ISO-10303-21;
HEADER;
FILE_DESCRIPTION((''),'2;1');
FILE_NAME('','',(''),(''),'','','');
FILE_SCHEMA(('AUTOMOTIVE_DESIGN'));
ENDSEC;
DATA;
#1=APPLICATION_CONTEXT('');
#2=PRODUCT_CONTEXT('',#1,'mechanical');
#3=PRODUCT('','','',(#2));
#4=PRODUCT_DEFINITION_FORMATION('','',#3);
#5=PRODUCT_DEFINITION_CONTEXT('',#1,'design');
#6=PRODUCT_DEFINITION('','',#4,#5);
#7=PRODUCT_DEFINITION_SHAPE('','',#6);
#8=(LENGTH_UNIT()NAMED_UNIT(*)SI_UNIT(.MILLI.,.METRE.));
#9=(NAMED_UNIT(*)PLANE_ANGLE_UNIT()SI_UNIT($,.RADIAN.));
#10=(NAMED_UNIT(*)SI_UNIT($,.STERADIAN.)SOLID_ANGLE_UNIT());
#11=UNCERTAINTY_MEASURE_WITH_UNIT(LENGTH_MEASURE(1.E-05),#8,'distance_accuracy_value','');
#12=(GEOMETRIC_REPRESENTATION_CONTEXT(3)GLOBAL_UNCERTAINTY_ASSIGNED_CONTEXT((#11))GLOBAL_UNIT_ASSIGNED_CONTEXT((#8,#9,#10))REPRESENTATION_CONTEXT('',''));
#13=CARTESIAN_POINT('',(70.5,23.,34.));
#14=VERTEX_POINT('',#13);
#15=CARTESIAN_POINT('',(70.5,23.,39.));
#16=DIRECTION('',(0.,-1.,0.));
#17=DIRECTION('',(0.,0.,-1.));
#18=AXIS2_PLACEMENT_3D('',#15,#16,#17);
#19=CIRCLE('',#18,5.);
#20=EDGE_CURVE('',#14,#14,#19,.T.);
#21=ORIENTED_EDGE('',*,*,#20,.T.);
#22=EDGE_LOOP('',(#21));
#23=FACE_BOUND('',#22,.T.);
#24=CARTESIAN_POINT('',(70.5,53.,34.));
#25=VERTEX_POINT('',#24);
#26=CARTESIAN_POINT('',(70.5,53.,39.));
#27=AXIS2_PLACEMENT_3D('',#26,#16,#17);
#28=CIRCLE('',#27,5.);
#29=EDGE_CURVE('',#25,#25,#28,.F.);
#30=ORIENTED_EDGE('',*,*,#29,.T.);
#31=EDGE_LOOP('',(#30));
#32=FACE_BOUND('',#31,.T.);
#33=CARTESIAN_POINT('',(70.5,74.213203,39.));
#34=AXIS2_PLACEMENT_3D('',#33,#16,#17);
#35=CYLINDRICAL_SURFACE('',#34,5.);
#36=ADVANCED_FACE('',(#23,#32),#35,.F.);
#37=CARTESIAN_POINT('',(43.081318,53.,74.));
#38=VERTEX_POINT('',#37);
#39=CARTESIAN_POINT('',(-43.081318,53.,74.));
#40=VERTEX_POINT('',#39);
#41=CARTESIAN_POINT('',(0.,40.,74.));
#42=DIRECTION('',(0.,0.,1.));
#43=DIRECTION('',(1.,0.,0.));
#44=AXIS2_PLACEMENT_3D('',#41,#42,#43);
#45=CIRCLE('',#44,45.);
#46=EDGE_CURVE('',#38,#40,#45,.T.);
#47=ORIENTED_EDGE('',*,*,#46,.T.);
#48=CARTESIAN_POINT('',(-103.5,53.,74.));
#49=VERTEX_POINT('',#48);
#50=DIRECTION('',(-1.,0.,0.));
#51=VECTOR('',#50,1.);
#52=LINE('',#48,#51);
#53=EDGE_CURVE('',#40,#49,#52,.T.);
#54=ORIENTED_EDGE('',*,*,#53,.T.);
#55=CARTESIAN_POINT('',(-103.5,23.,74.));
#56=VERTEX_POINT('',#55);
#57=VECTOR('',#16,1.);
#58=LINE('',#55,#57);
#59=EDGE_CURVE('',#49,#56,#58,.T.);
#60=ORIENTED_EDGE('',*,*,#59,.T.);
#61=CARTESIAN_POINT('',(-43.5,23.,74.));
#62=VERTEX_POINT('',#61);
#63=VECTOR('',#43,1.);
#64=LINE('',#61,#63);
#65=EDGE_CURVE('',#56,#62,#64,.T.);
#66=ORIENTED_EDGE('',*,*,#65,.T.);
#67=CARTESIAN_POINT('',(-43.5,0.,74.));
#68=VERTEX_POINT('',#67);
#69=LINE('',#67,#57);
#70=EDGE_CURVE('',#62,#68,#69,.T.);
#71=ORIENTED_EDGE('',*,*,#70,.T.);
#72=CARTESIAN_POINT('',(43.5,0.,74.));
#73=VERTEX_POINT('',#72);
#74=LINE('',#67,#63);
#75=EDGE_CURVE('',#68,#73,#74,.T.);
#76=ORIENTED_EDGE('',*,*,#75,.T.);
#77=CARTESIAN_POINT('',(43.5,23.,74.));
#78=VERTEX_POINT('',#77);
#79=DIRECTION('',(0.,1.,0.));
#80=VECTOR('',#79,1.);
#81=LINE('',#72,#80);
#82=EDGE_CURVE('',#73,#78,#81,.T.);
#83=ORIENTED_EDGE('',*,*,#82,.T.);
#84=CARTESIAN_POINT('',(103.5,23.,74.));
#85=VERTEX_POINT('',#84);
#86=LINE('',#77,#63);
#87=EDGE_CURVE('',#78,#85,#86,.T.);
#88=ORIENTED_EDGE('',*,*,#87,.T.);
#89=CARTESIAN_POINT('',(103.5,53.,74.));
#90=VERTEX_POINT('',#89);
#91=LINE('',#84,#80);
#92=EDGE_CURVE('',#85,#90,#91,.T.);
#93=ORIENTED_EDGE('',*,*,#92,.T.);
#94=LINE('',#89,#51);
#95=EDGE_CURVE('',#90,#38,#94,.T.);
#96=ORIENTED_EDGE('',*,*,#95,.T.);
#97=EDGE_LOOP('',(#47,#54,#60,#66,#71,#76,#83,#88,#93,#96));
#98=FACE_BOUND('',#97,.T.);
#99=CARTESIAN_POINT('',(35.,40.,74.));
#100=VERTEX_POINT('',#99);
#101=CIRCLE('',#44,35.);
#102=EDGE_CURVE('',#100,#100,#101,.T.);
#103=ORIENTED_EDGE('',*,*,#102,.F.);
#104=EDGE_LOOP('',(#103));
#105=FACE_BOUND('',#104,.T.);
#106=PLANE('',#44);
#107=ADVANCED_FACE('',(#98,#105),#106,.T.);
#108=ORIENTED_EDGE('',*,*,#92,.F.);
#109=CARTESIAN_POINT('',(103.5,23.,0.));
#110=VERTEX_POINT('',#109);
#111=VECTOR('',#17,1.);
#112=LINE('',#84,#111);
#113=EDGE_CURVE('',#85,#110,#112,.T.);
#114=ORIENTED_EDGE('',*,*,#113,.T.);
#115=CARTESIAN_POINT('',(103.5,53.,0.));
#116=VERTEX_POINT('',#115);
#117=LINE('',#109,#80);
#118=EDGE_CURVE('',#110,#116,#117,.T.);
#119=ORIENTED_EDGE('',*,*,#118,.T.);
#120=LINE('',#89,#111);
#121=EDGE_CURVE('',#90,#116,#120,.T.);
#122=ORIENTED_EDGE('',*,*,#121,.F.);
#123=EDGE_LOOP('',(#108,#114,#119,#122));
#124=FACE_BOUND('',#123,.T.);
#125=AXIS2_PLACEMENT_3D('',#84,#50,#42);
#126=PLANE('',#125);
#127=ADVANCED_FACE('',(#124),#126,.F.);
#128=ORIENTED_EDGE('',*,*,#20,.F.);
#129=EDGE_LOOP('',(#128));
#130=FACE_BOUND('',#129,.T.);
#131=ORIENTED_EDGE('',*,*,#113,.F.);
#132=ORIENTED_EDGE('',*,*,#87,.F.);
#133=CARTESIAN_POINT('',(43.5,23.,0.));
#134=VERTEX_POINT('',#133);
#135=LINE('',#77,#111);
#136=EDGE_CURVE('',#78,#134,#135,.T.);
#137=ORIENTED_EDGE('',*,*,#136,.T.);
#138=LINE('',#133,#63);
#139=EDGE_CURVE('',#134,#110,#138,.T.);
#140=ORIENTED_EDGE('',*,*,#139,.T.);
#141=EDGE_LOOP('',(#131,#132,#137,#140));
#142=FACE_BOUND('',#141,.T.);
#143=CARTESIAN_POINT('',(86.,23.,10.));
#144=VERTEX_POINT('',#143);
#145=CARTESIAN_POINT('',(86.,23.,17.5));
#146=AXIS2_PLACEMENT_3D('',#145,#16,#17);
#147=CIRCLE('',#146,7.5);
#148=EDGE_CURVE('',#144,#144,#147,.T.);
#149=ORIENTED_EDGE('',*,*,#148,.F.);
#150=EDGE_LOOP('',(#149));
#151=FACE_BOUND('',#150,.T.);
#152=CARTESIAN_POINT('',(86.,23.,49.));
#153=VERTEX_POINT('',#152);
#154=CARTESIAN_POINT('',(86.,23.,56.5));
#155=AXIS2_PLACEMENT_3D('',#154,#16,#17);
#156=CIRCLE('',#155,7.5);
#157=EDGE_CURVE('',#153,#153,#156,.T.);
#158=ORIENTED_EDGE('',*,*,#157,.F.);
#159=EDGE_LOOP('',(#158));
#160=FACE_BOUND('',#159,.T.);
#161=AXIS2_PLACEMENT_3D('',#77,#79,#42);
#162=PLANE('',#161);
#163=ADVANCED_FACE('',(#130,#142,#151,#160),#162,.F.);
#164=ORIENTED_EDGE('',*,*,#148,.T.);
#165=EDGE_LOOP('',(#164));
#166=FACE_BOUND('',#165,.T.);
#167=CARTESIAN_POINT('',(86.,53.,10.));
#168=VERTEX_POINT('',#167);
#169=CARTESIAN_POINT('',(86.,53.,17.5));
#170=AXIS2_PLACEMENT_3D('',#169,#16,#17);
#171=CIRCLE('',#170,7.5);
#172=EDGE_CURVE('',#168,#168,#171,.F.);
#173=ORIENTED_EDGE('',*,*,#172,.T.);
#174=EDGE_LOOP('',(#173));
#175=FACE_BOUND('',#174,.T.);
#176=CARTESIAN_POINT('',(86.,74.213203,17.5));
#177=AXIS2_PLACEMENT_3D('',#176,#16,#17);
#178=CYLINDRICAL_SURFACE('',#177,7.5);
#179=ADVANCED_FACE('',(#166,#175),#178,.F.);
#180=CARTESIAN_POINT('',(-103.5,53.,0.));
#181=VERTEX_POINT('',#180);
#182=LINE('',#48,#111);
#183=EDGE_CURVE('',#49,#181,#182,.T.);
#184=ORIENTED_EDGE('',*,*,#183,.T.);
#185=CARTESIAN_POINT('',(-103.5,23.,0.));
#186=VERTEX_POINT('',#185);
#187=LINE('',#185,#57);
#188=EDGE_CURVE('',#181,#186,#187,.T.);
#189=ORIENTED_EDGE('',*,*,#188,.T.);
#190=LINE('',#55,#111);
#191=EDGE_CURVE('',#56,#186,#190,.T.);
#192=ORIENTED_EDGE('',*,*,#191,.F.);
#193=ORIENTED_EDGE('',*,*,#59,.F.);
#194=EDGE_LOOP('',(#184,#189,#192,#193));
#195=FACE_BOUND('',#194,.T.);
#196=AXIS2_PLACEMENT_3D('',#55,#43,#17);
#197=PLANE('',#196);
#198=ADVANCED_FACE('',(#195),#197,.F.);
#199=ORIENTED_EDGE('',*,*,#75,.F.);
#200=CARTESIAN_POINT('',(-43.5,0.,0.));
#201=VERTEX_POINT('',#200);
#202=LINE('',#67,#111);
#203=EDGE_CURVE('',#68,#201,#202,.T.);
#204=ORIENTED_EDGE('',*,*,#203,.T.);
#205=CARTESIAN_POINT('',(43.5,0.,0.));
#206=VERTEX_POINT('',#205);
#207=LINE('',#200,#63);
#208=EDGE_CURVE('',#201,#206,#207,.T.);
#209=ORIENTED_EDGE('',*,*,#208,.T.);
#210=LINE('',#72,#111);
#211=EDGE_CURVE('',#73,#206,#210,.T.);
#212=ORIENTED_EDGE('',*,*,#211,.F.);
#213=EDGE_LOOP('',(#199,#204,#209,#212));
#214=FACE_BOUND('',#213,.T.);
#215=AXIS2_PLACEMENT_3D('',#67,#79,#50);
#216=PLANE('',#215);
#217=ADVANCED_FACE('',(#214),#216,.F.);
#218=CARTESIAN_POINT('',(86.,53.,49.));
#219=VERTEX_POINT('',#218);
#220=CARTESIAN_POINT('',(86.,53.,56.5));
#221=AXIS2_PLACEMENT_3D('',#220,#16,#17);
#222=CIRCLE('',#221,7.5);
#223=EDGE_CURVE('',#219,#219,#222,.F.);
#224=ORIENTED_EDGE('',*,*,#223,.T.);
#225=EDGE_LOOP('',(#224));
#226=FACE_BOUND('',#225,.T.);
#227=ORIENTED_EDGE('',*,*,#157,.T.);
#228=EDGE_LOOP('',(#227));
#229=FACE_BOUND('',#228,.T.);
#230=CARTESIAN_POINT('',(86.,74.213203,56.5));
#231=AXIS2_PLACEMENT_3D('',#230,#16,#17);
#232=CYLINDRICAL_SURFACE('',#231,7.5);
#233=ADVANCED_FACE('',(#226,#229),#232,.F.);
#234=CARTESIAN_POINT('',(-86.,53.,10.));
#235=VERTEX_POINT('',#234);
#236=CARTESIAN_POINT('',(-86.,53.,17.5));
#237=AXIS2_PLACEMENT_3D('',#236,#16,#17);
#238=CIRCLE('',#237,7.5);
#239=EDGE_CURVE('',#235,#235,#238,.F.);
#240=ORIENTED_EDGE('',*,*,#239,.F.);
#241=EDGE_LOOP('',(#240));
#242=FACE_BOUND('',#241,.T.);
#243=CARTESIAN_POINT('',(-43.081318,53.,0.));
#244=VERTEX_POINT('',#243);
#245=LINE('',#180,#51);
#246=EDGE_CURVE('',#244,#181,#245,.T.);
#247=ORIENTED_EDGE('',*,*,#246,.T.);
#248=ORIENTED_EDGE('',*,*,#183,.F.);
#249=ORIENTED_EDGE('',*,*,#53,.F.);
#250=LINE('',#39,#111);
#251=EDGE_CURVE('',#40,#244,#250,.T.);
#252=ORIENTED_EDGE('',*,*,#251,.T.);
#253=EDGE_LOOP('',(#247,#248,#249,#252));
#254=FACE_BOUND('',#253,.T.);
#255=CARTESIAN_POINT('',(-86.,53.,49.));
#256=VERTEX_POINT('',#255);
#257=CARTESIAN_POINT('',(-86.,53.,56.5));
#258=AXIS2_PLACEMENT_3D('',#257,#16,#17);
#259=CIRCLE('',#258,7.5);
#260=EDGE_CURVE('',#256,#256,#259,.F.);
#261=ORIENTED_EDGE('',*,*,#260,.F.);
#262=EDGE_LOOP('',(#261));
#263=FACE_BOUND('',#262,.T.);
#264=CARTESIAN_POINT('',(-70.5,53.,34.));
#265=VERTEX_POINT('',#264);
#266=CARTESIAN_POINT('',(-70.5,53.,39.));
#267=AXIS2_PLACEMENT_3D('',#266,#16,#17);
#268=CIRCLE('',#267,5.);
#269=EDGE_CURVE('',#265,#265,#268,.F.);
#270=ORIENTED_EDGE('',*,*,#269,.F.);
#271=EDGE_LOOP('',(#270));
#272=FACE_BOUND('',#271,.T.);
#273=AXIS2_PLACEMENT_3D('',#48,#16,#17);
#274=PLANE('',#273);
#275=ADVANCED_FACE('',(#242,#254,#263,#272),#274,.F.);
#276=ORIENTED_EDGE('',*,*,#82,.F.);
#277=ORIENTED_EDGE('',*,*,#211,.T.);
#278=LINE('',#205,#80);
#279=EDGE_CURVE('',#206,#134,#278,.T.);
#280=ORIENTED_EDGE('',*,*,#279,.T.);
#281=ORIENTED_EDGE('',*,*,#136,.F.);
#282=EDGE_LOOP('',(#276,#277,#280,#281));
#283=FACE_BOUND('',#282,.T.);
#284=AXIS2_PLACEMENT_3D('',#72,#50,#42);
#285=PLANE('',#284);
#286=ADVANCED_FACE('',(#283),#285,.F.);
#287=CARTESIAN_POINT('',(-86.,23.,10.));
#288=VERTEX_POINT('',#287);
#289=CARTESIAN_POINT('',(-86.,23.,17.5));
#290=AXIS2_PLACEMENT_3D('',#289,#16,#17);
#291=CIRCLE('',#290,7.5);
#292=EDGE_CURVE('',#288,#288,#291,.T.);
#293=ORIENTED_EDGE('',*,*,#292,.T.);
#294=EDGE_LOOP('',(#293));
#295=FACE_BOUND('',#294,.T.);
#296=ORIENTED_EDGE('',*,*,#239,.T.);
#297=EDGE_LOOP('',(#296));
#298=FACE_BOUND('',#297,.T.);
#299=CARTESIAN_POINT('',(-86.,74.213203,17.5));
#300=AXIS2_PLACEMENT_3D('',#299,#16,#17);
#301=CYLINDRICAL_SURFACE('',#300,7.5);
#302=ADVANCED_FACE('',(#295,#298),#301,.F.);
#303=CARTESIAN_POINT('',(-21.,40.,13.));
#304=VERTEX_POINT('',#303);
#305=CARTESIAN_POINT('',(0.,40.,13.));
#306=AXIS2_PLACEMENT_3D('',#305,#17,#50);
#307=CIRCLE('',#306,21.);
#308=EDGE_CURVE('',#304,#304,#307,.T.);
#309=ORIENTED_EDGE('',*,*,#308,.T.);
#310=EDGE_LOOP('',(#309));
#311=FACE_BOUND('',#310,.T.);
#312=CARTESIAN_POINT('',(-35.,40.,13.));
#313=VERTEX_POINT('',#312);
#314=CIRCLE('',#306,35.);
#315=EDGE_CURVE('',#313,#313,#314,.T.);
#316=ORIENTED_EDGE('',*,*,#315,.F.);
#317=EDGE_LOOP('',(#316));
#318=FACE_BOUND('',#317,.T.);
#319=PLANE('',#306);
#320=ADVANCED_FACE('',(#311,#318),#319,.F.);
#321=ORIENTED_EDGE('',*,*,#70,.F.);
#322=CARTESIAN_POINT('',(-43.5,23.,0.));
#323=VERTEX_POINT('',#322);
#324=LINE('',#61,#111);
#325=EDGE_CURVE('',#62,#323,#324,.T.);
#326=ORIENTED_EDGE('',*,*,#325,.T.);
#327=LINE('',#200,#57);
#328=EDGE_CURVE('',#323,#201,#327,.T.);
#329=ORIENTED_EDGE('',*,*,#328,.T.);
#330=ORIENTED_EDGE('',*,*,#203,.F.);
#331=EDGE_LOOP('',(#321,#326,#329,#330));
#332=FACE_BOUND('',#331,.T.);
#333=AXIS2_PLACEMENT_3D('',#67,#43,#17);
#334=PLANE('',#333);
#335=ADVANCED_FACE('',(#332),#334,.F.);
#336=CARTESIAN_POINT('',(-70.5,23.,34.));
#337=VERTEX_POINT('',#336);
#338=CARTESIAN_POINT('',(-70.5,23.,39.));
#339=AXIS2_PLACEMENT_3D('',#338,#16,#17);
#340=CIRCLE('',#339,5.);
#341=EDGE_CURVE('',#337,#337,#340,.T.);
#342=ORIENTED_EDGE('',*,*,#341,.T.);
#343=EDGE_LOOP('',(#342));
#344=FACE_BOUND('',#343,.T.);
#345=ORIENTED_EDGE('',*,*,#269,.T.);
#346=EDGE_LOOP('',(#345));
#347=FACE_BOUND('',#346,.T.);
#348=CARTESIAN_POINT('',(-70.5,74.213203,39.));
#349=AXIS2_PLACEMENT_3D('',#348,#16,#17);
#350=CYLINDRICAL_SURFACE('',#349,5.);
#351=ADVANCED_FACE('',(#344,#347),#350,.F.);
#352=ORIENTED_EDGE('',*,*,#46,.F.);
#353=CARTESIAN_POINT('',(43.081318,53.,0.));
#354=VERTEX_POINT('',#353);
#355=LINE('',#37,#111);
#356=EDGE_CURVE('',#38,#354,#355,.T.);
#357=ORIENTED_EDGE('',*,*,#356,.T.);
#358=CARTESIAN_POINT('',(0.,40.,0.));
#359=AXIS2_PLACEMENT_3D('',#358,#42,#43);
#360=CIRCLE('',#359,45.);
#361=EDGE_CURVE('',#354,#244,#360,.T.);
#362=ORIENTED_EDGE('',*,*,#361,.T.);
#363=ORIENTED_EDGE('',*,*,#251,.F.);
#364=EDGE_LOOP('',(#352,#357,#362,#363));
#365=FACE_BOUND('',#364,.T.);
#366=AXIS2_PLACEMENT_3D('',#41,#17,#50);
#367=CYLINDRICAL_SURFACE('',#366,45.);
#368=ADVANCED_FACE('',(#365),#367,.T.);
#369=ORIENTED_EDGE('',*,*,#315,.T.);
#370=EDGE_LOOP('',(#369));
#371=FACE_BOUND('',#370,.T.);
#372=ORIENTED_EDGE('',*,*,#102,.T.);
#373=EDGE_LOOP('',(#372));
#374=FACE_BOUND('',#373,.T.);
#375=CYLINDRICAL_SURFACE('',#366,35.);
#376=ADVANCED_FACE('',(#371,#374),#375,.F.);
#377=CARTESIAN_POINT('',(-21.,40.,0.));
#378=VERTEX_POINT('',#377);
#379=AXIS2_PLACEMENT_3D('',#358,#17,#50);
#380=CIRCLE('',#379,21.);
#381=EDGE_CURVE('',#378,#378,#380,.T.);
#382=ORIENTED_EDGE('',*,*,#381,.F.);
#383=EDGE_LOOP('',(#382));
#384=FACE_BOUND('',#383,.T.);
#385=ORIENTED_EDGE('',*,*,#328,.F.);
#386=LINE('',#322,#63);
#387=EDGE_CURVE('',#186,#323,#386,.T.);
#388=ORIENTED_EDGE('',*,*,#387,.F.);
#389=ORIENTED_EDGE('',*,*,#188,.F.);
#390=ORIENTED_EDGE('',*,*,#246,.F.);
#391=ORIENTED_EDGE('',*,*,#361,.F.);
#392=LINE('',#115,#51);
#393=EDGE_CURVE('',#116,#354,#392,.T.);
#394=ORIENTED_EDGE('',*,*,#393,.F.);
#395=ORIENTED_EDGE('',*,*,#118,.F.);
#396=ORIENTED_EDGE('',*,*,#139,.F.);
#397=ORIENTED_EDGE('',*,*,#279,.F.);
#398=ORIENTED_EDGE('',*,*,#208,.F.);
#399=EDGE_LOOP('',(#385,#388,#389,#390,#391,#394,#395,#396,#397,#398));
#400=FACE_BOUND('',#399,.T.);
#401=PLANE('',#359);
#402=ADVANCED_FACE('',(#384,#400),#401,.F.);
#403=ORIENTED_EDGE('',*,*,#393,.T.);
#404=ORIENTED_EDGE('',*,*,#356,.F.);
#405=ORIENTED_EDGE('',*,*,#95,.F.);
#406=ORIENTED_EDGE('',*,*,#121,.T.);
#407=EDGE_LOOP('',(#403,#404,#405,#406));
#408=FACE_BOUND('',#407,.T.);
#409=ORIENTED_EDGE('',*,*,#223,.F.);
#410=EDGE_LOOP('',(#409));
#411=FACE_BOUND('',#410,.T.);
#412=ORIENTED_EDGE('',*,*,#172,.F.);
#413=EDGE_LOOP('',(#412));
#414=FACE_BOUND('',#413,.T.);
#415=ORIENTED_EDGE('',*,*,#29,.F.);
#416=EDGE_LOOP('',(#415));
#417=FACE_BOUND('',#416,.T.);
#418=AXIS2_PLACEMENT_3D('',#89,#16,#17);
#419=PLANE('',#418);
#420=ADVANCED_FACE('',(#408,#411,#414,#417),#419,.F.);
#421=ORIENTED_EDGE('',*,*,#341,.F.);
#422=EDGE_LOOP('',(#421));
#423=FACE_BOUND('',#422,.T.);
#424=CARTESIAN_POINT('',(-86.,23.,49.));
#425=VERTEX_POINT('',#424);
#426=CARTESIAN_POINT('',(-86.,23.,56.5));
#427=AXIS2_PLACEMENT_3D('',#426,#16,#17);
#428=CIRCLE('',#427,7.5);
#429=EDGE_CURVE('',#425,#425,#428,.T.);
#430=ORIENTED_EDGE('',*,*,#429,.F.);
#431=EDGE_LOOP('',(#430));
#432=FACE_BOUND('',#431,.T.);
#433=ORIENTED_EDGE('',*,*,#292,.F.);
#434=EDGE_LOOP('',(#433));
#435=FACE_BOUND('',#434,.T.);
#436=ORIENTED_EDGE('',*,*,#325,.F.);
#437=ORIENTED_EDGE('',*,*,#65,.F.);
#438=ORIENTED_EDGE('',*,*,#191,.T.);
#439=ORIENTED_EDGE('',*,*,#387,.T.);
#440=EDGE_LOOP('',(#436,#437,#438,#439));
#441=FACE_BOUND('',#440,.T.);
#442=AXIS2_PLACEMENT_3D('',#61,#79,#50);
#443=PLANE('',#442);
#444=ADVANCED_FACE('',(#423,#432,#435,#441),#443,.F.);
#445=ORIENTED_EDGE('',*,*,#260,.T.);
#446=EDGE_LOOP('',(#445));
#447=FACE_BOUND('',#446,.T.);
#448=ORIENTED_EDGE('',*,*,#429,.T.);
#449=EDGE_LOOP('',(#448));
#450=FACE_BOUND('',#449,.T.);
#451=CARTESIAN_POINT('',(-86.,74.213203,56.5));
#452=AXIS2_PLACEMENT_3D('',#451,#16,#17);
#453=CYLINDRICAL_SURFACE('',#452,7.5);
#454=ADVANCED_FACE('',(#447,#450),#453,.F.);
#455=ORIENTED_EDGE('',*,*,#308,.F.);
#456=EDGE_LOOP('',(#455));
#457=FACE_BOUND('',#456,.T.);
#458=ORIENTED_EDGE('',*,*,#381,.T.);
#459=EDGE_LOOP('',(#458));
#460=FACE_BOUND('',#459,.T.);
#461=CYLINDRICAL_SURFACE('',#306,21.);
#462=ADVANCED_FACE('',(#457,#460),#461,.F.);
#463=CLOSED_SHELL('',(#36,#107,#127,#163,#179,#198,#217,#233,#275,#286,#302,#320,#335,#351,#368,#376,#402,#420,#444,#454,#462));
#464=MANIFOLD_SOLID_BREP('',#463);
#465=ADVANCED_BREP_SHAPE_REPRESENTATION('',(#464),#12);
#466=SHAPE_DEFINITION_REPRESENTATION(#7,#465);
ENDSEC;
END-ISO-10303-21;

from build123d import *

# Parameters (mm, degrees)
SKETCH_1_R          = 35
EXTRUDE_1_DEPTH     = 74
SKETCH_2_R          = 35
SKETCH_2_R_2        = 21
EXTRUDE_2_DEPTH     = 13
SKETCH_3_R          = 7.5
SKETCH_3_R_2        = 5
CUT_EXTRUDE_1_DEPTH = 30


with BuildPart() as part:
    # 草图1 → 凸台-拉伸1 (new body)
    with BuildSketch(Plane.XY):
        with BuildLine():
            Line((-43.5, 0), (43.5, 0))
            Line((43.5, 0), (43.5, 23))
            Line((43.5, 23), (103.5, 23))
            Line((103.5, 23), (103.5, 53))
            Line((103.5, 53), (43.081318457, 53))
            ThreePointArc((43.081318457, 53), (0, 85), (-43.081318457, 53))
            Line((-43.081318457, 53), (-103.5, 53))
            Line((-103.5, 53), (-103.5, 23))
            Line((-103.5, 23), (-43.5, 23))
            Line((-43.5, 23), (-43.5, 0))
        make_face()
        with Locations((0, 40)):
            Circle(SKETCH_1_R, mode=Mode.SUBTRACT)
    extrude(amount=EXTRUDE_1_DEPTH)

    # 草图2 → 凸台-拉伸2 (add)
    with BuildSketch(Plane(origin=(0, 0, 0), x_dir=(-1, 0, 0), z_dir=(0, 0, -1))):
        with Locations((0, 40)):
            Circle(SKETCH_2_R)
        with Locations((0, 40)):
            Circle(SKETCH_2_R_2, mode=Mode.SUBTRACT)
    extrude(amount=-EXTRUDE_2_DEPTH)

    # 草图3 → 切除-拉伸1 (cut)
    with BuildSketch(Plane.XZ.offset(-23)):
        with Locations(Location((-86, 56.5, 0), (0, 0, 270))):
            Circle(SKETCH_3_R)
        with Locations(Location((-70.5, 39, 0), (0, 0, 270))):
            Circle(SKETCH_3_R_2)
        with Locations(Location((-86, 17.5, 0), (0, 0, 270))):
            Circle(SKETCH_3_R)
        with Locations(Location((86, 56.5, 0), (0, 0, 270))):
            Circle(SKETCH_3_R)
        with Locations(Location((70.5, 39, 0), (0, 0, 270))):
            Circle(SKETCH_3_R_2)
        with Locations(Location((86, 17.5, 0), (0, 0, 270))):
            Circle(SKETCH_3_R)
    extrude(amount=-CUT_EXTRUDE_1_DEPTH, mode=Mode.SUBTRACT)


solid = part.part
